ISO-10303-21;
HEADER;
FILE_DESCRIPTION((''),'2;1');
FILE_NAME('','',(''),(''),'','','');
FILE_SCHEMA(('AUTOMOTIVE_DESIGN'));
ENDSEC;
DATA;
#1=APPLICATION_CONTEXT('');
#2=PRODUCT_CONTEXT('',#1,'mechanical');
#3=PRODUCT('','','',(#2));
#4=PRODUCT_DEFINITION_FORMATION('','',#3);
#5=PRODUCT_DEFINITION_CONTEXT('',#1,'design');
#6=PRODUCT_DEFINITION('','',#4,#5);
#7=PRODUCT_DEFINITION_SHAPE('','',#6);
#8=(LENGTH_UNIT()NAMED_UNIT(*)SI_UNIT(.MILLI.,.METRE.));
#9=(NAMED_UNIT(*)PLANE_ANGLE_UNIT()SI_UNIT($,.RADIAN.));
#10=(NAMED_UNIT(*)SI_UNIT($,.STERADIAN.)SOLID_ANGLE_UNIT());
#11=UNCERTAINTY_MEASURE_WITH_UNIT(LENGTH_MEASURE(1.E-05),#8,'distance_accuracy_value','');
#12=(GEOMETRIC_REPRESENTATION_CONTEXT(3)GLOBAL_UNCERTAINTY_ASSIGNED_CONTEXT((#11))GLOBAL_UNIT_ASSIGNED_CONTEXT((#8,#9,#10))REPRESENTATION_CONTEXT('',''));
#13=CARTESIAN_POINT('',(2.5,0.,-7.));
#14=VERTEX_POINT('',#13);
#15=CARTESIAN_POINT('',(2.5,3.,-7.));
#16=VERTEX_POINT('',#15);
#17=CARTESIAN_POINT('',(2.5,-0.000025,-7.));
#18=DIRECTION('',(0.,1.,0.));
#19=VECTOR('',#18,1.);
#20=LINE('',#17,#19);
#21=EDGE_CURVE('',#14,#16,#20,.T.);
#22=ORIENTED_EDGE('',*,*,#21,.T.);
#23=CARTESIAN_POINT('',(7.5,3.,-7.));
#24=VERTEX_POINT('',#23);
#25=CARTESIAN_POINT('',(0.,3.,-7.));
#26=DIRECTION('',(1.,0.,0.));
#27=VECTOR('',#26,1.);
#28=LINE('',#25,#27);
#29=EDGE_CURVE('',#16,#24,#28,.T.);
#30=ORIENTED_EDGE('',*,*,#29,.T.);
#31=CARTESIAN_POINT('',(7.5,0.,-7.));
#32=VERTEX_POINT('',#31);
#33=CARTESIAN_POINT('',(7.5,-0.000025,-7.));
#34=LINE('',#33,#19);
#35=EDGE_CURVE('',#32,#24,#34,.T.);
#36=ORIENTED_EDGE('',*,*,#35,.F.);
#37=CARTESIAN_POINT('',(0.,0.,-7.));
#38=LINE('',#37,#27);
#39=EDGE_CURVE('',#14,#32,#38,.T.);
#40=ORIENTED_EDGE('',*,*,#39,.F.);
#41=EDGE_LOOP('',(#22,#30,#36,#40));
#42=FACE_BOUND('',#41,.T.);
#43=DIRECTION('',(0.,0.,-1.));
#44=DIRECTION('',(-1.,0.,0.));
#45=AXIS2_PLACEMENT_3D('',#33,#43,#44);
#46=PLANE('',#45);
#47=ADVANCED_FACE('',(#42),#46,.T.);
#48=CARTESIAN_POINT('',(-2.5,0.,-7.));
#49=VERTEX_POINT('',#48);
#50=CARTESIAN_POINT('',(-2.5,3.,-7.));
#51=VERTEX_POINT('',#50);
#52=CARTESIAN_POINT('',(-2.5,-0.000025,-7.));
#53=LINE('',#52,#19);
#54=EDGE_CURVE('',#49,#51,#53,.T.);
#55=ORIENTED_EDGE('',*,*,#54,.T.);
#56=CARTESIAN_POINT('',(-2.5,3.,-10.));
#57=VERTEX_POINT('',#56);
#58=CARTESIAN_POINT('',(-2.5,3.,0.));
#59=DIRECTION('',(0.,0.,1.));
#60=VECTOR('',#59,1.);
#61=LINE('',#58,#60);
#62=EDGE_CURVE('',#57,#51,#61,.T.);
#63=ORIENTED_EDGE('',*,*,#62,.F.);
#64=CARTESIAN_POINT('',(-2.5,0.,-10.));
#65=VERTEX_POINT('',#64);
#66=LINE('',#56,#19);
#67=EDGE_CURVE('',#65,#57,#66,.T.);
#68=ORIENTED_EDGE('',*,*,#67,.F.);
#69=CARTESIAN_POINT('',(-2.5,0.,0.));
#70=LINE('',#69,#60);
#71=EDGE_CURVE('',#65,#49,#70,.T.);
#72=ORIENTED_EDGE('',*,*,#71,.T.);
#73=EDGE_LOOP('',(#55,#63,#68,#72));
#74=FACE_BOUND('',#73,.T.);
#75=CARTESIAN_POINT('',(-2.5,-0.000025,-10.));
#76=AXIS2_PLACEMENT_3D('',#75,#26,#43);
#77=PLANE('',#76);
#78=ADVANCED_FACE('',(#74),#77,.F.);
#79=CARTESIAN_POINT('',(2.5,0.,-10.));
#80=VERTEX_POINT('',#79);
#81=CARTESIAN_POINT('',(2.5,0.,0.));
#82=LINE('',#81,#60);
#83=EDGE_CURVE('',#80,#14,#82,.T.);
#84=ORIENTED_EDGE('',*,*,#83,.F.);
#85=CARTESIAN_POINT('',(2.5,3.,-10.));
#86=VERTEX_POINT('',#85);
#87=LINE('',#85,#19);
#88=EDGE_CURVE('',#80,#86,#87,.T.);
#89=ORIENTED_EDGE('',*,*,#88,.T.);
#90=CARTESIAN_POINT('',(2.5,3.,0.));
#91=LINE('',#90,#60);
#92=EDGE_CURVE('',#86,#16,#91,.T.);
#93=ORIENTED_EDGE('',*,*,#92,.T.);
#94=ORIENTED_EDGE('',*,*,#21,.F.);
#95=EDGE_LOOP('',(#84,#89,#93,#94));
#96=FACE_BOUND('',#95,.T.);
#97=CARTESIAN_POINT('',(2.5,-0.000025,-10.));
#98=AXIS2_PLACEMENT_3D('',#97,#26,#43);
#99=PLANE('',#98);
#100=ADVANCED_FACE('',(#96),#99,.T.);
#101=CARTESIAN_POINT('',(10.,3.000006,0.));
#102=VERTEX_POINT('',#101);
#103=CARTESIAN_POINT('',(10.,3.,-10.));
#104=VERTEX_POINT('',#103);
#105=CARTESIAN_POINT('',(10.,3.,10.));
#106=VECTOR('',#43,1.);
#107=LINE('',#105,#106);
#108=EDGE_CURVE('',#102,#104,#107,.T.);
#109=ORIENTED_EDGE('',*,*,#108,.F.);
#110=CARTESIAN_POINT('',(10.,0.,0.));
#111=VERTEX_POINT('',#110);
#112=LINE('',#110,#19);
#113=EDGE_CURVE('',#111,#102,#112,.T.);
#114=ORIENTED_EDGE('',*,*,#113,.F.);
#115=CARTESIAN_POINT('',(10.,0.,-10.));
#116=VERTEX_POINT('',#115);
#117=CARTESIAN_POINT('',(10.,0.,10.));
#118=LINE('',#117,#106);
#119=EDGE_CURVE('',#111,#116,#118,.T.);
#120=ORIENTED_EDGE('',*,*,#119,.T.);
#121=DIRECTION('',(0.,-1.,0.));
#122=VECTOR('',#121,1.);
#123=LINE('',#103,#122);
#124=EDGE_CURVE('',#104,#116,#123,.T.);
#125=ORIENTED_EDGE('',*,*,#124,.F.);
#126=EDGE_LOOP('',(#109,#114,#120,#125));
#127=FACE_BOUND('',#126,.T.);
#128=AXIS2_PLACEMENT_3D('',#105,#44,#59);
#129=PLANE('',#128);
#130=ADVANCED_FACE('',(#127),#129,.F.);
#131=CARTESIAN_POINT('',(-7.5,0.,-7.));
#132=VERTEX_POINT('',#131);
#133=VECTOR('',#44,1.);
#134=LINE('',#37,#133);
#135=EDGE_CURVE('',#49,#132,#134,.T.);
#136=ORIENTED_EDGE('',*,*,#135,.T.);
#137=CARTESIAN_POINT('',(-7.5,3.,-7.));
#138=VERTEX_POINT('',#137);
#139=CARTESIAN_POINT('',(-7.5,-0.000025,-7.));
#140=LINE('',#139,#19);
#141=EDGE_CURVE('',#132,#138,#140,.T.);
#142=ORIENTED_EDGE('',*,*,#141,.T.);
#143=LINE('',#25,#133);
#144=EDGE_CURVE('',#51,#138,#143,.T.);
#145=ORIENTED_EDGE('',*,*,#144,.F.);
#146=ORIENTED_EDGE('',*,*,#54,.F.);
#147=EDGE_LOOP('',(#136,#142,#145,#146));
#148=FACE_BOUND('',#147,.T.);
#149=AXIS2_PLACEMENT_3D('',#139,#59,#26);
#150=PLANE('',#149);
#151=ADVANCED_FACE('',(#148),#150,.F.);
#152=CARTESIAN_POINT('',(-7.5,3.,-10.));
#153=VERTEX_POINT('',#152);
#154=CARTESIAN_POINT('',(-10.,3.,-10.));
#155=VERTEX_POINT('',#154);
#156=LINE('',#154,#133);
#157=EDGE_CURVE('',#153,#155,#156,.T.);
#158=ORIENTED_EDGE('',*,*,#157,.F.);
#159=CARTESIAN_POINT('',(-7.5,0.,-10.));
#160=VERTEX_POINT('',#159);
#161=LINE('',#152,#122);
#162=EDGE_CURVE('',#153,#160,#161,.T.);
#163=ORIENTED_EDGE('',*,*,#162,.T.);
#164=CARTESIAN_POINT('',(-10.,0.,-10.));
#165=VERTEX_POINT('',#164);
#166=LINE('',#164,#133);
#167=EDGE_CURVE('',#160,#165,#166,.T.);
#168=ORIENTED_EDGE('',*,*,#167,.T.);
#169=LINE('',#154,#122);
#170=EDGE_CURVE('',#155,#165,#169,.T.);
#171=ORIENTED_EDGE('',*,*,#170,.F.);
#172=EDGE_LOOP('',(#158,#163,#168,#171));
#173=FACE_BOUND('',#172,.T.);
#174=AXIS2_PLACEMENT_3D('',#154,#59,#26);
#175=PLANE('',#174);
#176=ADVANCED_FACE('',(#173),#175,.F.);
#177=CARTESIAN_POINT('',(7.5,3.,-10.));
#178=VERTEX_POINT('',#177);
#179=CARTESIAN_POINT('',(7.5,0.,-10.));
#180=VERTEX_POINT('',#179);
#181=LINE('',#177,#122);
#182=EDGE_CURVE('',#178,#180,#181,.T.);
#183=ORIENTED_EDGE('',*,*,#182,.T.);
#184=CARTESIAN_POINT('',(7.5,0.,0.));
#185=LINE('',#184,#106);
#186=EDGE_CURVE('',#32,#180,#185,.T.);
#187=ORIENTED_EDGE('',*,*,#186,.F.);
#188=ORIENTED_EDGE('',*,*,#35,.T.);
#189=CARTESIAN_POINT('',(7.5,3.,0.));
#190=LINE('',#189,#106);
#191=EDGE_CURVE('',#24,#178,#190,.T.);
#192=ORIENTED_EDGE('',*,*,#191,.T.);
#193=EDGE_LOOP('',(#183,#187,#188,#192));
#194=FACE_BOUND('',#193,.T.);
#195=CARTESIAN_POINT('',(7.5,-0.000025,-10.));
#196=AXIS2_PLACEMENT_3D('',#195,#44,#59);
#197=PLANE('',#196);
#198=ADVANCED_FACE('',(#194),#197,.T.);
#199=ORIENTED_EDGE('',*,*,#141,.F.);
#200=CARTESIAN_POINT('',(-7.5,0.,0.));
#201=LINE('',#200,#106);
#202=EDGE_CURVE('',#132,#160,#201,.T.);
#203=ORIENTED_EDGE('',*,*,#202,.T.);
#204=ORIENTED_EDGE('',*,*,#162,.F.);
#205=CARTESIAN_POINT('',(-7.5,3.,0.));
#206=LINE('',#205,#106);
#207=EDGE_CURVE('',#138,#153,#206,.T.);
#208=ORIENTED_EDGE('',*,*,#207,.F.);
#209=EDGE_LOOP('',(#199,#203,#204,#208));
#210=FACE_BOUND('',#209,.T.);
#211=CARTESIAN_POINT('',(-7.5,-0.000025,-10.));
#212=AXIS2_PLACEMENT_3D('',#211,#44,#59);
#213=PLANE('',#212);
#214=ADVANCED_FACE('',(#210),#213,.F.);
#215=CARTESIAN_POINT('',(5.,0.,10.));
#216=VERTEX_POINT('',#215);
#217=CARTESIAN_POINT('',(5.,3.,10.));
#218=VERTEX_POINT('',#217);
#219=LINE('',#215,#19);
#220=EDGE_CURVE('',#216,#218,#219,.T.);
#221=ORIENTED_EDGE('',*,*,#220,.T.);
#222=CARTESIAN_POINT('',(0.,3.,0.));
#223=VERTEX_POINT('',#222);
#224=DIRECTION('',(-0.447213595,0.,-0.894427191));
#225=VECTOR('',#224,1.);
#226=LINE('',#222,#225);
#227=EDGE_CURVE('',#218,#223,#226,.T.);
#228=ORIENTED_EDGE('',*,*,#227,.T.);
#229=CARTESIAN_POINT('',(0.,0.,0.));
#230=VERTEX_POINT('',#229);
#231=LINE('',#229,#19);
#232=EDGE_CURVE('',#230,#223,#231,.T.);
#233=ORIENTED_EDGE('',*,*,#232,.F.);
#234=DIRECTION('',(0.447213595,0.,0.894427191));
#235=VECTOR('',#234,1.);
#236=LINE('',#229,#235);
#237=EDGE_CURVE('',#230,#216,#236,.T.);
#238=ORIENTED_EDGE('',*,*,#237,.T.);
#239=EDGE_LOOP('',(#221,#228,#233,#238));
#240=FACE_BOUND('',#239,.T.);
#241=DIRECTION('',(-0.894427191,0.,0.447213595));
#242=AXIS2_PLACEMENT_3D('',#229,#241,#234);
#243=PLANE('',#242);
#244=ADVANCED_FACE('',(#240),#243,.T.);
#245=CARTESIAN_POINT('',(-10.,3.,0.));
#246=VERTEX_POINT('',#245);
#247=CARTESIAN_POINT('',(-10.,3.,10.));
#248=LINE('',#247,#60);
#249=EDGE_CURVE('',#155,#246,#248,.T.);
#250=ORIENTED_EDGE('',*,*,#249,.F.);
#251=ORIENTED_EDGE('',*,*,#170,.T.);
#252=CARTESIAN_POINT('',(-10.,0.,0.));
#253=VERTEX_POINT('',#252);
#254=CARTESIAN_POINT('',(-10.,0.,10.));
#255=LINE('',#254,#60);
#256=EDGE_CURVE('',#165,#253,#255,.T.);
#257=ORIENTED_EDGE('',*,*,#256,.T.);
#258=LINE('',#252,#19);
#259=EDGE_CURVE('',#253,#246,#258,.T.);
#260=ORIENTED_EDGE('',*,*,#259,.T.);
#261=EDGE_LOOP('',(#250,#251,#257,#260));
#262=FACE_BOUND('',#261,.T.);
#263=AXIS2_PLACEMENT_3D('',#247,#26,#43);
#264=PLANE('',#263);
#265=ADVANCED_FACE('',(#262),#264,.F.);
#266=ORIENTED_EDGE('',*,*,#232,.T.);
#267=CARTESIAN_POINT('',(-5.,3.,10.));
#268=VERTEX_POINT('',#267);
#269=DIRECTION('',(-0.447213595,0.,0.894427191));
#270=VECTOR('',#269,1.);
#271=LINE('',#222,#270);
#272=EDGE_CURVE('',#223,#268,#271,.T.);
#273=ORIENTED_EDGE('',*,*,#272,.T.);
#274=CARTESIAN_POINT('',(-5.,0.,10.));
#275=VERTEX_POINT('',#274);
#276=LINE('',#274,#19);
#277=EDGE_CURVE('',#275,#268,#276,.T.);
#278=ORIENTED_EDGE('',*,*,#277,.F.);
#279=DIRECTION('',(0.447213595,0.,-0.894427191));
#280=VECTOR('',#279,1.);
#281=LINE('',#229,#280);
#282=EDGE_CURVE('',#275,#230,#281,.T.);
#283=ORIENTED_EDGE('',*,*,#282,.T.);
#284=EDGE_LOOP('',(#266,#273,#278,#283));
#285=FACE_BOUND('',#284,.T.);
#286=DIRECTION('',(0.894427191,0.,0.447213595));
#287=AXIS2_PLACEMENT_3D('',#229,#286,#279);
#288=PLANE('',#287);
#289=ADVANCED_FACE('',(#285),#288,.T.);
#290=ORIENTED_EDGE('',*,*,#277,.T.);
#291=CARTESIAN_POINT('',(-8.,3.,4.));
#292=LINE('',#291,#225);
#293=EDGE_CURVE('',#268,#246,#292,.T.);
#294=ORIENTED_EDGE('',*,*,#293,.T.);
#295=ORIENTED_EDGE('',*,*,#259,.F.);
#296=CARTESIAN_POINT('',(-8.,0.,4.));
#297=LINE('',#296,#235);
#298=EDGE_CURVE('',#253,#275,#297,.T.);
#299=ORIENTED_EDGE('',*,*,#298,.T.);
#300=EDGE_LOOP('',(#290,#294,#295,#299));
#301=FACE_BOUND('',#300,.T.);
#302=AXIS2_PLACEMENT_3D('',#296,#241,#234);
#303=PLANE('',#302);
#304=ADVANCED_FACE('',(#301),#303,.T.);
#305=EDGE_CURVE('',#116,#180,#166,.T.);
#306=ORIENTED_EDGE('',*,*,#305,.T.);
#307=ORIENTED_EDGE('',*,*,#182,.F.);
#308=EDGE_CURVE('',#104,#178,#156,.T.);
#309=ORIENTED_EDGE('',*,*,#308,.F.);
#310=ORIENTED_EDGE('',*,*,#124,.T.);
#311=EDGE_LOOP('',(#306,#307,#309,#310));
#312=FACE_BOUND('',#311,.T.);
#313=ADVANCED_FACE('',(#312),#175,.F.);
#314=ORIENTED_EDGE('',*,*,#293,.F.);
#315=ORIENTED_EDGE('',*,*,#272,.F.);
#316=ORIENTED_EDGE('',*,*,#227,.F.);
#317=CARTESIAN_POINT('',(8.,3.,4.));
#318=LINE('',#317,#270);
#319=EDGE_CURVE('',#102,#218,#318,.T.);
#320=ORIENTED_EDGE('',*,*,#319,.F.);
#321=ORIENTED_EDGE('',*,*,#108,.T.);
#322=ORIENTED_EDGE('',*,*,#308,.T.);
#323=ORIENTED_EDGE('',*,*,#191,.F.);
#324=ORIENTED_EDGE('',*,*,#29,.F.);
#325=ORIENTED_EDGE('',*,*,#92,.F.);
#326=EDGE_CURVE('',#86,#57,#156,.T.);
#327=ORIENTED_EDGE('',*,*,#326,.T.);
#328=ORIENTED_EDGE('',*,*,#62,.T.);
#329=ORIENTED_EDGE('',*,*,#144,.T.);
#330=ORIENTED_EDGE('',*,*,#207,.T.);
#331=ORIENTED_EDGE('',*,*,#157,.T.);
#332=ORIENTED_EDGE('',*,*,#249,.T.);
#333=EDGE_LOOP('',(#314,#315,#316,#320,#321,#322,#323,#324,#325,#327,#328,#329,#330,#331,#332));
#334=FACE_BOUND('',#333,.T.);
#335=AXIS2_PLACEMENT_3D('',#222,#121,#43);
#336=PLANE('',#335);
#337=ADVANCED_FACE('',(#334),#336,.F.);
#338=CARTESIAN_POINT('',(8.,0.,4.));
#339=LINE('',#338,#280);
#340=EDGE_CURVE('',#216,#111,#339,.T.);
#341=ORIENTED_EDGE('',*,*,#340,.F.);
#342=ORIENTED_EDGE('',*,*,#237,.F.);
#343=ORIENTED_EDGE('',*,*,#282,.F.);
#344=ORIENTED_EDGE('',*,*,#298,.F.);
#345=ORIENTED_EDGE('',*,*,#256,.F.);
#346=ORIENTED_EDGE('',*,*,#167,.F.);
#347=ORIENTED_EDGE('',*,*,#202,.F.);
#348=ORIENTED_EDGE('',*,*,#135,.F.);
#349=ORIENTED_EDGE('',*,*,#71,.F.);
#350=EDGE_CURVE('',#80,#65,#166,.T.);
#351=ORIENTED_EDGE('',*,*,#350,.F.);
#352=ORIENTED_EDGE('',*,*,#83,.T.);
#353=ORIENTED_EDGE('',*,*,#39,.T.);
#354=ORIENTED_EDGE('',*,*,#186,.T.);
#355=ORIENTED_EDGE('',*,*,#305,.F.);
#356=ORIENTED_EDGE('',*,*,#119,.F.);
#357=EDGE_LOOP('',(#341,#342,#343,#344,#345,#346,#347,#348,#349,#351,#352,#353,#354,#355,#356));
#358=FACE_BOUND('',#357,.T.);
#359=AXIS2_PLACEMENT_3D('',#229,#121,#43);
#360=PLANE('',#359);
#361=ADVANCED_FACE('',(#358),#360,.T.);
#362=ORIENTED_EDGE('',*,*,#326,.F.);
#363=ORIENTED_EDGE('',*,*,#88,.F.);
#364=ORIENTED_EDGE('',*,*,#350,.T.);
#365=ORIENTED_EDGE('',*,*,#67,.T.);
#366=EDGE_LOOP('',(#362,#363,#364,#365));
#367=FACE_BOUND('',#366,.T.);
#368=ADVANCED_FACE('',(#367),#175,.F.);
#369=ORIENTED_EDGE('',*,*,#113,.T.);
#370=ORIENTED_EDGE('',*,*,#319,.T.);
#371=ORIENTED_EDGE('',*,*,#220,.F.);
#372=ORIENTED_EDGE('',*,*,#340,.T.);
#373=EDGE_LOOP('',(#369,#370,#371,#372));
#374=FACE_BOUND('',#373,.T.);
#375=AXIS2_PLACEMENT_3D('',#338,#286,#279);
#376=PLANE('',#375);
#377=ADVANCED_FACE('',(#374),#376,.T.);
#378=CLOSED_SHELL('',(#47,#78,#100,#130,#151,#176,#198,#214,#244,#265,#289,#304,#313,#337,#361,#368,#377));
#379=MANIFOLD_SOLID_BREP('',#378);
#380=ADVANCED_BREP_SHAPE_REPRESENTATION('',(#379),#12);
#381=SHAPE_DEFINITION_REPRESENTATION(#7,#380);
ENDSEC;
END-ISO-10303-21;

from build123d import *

# Parameters (mm, degrees)
SKETCH1_W               = 20
SKETCH1_H               = 20
BOSS_EXTRUDE1_DEPTH     = 3
CUT_EXTRUDE1_DEPTH      = 1
CUT_EXTRUDE1_DEPTH_BACK = 4
CUT_EXTRUDE2_START      = -4
SKETCH3_W               = 5
SKETCH3_H               = 3
CUT_EXTRUDE2_DEPTH      = 5


with BuildPart() as part:
    # Sketch1 → Boss-Extrude1 (new body)
    with BuildSketch(Plane(origin=(0, 0, 0), x_dir=(1, 0, 0), z_dir=(0, 1, 0))):
        Rectangle(SKETCH1_W, SKETCH1_H)
    extrude(amount=BOSS_EXTRUDE1_DEPTH)

    # Sketch2 → Cut-Extrude1 (cut, two sides)
    with BuildSketch(Plane(origin=(0, 3, 0), x_dir=(1, 0, 0), z_dir=(0, 1, 0))) as cut_extrude1_sk:
        Polygon((-5, -10), (-10, 0), (-10, -10), align=None)
        Polygon((0, 0), (-5, -10), (5, -10), align=None)
        Polygon((10, 0), (5, -10), (10, -10), align=None)
    extrude(amount=CUT_EXTRUDE1_DEPTH, mode=Mode.SUBTRACT)
    extrude(cut_extrude1_sk.sketch, amount=-CUT_EXTRUDE1_DEPTH_BACK, mode=Mode.SUBTRACT)

    # Sketch3 → Cut-Extrude2 (cut)
    with BuildSketch(Plane(origin=(0, 3, 0), x_dir=(1, 0, 0), z_dir=(0, 1, 0)).offset(CUT_EXTRUDE2_START)):
        with Locations((-5, 8.5)):
            Rectangle(SKETCH3_W, SKETCH3_H)
    cut_extrude2 = extrude(amount=CUT_EXTRUDE2_DEPTH, mode=Mode.SUBTRACT)

    # Mirror1: Cut-Extrude2 across plane
    add(cut_extrude2.mirror(Plane(origin=(0, 0, 0), x_dir=(0, 0, 1), z_dir=(1, 0, 0))), mode=Mode.SUBTRACT)


solid = part.part
